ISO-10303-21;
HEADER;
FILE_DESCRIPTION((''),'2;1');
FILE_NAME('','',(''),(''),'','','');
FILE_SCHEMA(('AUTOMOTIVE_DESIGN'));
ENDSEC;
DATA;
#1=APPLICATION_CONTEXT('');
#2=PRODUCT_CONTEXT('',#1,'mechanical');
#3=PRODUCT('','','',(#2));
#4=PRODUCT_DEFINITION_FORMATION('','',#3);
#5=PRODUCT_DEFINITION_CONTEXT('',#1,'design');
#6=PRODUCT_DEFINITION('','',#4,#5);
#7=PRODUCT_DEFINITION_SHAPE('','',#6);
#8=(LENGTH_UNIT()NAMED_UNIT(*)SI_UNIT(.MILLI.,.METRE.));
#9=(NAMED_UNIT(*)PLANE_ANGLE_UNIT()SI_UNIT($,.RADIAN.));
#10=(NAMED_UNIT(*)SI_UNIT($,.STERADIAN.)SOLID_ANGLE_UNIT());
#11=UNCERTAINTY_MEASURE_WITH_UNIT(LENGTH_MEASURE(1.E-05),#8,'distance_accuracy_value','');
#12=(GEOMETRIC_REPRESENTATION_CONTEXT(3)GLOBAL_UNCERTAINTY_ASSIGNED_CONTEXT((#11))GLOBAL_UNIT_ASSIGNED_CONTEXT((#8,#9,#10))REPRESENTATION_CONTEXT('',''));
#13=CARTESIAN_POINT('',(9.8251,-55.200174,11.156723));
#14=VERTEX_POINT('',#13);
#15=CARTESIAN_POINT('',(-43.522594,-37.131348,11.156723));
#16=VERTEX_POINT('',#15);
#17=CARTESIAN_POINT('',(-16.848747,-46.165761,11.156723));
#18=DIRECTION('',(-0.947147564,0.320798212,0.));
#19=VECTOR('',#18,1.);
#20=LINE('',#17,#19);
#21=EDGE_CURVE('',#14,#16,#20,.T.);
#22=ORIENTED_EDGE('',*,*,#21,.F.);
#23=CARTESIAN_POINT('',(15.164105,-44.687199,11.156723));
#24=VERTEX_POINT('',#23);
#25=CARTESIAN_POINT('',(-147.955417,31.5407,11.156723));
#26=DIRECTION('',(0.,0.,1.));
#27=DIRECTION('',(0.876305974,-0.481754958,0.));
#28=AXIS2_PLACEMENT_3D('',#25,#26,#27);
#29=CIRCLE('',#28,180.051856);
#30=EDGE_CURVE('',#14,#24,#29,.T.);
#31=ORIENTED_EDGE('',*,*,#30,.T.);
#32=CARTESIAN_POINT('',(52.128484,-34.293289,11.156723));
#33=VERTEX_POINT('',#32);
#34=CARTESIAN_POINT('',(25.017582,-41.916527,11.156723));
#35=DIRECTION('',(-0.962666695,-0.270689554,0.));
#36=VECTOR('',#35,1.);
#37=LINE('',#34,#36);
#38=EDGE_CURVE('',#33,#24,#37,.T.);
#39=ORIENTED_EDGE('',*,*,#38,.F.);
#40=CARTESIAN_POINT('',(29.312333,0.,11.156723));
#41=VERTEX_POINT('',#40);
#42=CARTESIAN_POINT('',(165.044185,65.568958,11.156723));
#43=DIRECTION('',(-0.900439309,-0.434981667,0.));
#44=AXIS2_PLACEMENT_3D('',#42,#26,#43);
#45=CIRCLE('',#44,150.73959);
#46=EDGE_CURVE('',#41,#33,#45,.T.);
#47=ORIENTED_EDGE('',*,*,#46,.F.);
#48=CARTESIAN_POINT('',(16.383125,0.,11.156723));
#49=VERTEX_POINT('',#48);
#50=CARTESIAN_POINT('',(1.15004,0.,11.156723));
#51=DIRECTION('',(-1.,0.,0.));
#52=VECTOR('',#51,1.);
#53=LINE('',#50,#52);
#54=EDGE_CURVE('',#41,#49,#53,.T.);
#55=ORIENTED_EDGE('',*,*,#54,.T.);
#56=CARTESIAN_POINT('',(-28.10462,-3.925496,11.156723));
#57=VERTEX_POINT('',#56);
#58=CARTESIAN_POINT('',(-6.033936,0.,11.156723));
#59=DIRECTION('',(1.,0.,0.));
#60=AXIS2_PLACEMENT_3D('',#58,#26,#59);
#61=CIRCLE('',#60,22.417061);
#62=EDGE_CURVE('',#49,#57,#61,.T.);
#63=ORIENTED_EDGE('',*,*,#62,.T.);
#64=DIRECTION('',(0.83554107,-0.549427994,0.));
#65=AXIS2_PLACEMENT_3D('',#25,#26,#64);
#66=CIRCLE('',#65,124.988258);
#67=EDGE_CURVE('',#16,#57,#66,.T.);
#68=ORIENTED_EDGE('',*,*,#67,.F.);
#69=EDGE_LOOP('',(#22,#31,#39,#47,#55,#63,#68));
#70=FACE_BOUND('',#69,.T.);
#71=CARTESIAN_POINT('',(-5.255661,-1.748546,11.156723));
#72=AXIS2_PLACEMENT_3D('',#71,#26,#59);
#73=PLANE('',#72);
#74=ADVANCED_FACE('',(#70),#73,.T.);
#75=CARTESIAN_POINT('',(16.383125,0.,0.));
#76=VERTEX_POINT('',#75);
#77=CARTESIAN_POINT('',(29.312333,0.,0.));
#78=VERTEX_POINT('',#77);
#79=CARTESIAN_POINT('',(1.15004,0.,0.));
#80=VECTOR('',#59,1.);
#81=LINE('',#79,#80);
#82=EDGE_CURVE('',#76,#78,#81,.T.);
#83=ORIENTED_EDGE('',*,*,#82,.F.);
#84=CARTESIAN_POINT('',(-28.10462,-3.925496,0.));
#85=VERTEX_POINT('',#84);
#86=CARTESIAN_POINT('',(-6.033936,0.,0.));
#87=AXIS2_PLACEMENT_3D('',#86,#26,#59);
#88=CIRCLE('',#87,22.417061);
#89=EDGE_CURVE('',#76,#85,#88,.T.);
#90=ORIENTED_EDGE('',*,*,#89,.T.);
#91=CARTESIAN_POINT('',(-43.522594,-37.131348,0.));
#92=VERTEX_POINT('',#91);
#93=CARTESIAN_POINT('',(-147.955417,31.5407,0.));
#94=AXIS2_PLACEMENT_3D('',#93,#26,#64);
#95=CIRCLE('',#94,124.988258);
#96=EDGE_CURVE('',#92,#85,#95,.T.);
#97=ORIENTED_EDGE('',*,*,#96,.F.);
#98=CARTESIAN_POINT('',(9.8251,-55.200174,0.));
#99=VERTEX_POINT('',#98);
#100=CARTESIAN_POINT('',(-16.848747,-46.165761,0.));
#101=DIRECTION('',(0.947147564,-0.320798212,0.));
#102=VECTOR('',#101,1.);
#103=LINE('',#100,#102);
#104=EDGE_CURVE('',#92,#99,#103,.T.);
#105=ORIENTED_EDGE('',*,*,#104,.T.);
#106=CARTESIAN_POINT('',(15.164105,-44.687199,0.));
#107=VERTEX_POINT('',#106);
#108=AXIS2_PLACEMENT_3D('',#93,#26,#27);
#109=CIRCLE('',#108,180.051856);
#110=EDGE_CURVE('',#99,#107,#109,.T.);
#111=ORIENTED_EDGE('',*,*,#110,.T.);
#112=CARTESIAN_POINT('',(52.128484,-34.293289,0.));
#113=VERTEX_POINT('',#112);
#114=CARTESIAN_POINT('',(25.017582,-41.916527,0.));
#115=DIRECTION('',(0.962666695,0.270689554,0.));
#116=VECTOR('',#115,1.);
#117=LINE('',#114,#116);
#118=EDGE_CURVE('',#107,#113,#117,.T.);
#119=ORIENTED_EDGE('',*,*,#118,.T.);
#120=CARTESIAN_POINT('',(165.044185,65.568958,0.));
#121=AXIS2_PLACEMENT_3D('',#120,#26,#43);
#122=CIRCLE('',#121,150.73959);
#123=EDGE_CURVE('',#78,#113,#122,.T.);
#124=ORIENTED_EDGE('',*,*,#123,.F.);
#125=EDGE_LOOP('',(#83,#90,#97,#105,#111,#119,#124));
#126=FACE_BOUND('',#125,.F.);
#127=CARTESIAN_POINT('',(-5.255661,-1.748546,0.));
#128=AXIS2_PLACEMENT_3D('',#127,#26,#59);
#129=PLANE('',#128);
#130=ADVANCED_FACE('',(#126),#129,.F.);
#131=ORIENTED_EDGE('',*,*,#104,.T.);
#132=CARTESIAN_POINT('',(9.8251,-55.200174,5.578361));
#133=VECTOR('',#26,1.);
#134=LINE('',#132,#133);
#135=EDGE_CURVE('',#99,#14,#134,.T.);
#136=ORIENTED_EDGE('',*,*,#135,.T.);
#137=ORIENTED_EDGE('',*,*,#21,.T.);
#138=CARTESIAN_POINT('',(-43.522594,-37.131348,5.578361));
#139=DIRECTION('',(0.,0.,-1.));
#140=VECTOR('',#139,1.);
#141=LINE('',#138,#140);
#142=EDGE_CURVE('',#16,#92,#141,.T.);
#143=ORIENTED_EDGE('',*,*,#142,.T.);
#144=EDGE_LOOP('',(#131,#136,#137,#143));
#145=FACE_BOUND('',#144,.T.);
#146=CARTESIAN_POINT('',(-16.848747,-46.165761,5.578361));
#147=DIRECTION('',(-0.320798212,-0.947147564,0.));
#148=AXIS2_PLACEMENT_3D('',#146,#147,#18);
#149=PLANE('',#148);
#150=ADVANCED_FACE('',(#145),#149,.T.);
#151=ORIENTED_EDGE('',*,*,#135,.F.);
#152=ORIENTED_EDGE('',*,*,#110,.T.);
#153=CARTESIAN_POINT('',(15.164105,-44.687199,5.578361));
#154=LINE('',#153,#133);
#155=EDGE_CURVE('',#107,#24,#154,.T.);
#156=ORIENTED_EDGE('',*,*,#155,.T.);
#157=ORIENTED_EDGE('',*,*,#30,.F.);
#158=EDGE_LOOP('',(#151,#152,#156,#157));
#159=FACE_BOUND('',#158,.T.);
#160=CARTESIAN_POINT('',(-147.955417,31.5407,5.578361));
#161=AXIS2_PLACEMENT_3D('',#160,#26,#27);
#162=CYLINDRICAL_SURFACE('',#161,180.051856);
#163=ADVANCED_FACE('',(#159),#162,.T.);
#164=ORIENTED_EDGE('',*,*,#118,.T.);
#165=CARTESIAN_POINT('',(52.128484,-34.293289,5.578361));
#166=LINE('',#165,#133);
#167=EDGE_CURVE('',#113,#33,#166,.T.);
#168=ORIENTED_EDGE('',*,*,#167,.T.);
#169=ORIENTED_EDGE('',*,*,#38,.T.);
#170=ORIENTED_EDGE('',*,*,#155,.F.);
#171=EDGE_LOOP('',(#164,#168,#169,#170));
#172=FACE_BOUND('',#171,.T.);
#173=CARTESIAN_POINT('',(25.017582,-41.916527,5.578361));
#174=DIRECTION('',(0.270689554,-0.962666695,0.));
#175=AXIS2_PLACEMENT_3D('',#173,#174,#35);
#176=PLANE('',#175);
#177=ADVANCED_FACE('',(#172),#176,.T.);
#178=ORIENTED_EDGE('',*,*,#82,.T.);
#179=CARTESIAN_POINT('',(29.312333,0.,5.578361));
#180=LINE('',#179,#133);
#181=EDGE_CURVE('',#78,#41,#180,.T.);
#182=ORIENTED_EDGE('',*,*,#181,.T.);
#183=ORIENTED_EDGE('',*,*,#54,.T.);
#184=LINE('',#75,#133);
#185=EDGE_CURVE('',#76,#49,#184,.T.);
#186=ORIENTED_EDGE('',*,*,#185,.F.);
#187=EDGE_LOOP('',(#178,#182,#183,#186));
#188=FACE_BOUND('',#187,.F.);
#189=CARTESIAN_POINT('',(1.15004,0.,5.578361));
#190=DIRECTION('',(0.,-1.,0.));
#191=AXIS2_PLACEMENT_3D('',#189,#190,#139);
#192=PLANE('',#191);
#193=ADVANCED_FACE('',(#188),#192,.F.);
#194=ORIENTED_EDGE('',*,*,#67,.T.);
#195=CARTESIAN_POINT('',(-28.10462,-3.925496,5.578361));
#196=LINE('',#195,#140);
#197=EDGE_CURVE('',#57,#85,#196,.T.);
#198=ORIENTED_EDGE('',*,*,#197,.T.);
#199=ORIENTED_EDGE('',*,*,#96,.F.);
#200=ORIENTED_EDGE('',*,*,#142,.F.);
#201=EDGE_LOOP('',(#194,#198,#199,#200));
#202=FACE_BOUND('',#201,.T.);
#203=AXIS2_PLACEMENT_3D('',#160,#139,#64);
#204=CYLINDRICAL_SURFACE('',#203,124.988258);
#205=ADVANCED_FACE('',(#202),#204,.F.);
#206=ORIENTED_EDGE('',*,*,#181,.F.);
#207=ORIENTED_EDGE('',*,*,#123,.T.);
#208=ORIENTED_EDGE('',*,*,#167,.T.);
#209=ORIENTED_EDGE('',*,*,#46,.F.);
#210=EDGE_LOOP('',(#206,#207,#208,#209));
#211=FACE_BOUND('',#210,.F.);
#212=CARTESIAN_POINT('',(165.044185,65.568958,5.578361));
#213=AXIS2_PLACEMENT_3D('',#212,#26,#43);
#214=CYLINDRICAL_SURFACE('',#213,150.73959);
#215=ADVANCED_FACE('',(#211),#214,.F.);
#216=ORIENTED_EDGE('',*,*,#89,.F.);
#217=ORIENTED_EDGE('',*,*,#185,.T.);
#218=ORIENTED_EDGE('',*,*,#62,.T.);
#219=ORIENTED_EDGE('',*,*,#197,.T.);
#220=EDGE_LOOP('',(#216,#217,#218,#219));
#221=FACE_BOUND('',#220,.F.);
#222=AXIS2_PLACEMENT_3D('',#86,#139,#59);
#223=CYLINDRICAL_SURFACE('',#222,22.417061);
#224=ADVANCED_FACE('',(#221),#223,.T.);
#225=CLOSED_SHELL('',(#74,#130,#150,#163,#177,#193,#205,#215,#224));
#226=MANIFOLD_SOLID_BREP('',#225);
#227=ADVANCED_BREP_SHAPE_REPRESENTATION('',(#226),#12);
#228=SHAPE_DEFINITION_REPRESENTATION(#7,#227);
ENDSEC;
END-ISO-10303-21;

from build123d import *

# Parameters (mm, degrees)
F0_W     = 56.3245862722
F0_H     = 11.1567229033
F4_DEPTH = 11.1567229033


with BuildPart() as f2:
    # F2: sweep along a path in F1
    with BuildLine(Plane.XY) as f2_path:
        ThreePointArc((-23.6530322582, -43.8611544669), (-13.0490165439, -22.6514177551), (-6.0339360498, 0))
    # F0 (on Front) → F2 (sweep)
    with BuildSketch(Plane.XZ):
        with Locations((1.150039956, 5.5783614516)):
            Rectangle(F0_W, F0_H)
    sweep(path=f2_path.line)

    # F3: sweep along a path in F1
    with BuildLine(Plane.XY) as f3_path:
        ThreePointArc((-6.0339360498, 0), (4.5287353952, -22.758853007), (18.1018076837, -43.8611544669))
    # F0 (on Front) → F3 (sweep)
    with BuildSketch(Plane.XZ):
        with Locations((1.150039956, 5.5783614516)):
            Rectangle(F0_W, F0_H)
    sweep(path=f3_path.line)

    # F1 (on Top) → F4 (join, through all)
    with BuildSketch(Plane.XY):
        with BuildLine():
            ThreePointArc((16.3831246193, 0), (-19.3757451039, 18.0144591983), (-12.569889783, -21.4430855485))
            ThreePointArc((-12.569889783, -21.4430855485), (-8.8880028651, -10.8477045125), (-6.0339360498, 0))
            ThreePointArc((-6.0339360498, 0), (-1.7021386375, -10.3433289498), (3.2543247609, -20.402274877))
            ThreePointArc((3.2543247609, -20.402274877), (12.8173253821, -12.1307275738), (16.3831246193, 0))
        make_face()
    extrude(amount=F4_DEPTH)


solid = f2.part
